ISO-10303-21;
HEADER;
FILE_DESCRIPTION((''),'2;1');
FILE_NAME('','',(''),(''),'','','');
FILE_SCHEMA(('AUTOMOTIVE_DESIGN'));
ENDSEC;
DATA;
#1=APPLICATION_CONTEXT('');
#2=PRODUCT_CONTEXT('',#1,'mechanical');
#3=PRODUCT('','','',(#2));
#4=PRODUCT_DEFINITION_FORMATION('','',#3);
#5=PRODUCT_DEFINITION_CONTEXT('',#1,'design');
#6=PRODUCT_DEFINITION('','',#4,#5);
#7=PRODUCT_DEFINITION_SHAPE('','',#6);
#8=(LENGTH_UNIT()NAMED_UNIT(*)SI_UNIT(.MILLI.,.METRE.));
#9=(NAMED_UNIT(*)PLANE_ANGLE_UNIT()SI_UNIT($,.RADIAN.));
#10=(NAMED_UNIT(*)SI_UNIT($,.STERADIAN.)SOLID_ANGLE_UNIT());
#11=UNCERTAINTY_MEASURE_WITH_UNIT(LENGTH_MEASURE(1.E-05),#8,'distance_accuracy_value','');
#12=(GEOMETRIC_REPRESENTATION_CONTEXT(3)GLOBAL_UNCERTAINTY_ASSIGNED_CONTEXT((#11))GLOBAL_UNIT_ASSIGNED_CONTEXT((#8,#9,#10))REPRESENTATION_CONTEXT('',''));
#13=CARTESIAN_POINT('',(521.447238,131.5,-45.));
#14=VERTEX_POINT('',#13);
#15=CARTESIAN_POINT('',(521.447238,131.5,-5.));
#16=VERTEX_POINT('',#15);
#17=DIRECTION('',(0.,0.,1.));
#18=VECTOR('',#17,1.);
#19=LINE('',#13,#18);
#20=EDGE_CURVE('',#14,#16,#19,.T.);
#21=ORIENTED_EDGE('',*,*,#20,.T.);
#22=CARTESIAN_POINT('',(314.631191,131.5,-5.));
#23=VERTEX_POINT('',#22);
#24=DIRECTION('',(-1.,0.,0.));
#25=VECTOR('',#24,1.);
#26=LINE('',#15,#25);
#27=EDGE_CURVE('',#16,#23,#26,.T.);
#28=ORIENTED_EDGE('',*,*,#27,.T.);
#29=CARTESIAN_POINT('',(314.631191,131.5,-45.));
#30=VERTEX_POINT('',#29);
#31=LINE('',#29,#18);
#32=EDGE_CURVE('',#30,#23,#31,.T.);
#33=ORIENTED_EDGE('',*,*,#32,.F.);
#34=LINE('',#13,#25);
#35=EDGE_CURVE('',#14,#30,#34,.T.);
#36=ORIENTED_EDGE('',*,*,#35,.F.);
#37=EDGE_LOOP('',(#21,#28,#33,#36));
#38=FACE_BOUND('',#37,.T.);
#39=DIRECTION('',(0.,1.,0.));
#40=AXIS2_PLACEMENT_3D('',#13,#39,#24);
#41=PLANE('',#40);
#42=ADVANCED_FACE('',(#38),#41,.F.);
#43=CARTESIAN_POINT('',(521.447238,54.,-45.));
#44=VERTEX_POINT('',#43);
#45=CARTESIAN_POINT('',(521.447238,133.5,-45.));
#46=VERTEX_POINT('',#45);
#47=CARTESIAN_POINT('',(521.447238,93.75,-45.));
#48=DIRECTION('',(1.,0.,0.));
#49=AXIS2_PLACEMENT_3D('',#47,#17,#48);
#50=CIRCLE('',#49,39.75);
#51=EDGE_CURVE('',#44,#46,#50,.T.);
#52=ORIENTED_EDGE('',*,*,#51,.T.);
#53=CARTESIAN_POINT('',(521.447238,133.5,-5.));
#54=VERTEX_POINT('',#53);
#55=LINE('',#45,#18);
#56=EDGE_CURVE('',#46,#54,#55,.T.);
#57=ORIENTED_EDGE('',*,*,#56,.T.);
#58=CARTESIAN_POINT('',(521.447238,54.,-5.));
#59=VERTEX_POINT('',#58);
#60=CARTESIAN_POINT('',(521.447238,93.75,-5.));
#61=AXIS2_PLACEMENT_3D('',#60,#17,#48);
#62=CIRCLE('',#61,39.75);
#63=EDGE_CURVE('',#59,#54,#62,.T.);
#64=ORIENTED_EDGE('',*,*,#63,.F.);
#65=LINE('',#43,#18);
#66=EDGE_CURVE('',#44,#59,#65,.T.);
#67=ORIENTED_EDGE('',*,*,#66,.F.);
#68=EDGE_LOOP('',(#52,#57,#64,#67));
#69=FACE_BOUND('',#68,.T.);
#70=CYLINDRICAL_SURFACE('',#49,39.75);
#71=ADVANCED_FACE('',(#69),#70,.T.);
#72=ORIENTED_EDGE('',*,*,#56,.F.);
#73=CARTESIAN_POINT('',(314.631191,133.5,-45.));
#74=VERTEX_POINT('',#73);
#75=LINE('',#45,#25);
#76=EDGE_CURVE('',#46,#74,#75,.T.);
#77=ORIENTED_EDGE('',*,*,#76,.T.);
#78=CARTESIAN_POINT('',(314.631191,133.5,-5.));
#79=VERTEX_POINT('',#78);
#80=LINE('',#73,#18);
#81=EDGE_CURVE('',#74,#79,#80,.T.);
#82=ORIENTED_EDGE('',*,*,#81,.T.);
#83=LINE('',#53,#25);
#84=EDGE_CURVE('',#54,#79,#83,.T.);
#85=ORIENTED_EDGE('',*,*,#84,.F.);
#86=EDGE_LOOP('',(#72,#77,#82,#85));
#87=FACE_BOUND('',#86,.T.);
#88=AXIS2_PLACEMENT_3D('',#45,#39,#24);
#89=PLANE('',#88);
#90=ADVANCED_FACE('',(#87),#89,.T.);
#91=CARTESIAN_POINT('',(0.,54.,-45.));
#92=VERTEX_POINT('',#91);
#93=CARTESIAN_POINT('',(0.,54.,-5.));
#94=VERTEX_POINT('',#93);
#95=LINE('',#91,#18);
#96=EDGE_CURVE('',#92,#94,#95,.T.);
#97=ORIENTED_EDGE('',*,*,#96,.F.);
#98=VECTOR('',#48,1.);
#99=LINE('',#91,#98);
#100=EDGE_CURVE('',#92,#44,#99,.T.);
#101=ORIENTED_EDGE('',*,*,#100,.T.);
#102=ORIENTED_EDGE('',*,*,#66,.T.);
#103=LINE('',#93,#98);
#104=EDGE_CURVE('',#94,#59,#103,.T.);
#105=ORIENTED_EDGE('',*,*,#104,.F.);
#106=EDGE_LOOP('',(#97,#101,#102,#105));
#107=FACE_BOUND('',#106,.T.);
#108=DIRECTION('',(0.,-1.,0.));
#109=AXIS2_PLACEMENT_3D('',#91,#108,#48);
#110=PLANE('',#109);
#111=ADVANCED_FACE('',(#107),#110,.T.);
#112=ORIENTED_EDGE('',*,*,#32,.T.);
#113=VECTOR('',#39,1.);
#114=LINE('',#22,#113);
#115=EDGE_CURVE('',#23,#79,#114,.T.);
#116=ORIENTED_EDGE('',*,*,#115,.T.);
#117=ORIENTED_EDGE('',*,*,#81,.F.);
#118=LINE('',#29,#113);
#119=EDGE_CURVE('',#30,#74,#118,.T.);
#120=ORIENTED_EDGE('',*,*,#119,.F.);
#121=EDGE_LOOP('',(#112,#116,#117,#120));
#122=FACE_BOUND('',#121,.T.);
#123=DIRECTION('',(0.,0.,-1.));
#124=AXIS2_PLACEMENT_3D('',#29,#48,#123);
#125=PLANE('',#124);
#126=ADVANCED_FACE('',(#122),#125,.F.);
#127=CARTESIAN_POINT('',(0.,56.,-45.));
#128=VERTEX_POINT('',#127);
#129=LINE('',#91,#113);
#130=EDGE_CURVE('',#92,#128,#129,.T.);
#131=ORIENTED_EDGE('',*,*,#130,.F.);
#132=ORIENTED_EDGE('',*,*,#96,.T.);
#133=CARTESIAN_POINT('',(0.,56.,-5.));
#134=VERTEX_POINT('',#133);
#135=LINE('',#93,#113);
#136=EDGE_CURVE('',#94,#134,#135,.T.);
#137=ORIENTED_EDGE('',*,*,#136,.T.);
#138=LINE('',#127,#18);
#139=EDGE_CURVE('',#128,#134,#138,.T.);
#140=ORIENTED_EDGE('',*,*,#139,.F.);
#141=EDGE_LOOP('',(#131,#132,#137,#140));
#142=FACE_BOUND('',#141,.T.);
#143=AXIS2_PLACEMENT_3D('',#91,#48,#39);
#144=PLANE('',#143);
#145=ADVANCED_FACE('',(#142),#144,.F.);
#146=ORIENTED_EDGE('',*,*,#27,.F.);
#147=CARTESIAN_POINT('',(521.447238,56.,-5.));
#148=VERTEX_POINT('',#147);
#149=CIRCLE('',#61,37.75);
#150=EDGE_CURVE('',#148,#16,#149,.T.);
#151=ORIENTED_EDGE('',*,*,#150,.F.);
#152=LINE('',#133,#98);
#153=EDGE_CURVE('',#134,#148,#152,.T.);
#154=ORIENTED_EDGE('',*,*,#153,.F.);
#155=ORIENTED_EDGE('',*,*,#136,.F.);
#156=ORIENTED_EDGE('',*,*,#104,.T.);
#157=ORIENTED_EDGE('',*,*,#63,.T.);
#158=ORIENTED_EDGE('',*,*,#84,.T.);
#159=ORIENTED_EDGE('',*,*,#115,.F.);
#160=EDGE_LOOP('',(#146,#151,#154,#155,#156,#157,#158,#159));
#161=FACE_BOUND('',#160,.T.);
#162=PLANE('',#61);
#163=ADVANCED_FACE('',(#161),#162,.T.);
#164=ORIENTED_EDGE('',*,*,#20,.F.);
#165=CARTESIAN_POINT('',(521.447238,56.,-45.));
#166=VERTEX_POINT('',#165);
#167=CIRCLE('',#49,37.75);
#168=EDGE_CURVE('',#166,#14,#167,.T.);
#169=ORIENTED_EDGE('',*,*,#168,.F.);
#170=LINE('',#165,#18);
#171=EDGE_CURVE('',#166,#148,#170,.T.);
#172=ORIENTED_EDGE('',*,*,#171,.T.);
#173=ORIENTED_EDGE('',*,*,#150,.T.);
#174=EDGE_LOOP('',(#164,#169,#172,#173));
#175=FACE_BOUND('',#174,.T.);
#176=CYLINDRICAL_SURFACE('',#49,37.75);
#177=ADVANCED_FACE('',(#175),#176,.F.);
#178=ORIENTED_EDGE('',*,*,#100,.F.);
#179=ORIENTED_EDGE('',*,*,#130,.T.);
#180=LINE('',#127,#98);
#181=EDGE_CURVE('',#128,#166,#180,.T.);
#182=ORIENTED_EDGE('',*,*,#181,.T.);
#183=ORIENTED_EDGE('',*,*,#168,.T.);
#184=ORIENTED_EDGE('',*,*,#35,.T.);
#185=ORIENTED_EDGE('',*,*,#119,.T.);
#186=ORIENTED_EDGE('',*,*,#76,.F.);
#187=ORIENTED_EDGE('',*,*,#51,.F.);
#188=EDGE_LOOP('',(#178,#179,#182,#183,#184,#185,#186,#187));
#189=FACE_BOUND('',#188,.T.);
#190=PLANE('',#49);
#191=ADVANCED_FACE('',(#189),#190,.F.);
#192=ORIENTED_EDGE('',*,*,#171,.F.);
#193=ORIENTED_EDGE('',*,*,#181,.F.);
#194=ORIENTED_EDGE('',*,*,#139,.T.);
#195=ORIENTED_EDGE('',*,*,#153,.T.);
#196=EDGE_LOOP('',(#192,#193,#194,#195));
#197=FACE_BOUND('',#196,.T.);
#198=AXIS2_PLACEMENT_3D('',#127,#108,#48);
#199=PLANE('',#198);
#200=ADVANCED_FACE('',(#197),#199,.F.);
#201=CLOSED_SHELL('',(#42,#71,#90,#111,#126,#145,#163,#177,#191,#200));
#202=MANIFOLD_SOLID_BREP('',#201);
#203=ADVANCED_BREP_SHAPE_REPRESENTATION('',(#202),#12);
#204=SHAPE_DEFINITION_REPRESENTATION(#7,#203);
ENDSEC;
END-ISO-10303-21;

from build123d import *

# Parameters (mm, degrees)
EXTRUDE_THIN1_START = -5
EXTRUDE_THIN1_DEPTH = 40


with BuildPart() as part:
    # Sketch1 → Extrude-Thin1 (new body)
    with BuildSketch(Plane.XY.offset(EXTRUDE_THIN1_START)):
        with BuildLine():
            Line((0, 54), (521.447237603, 54))
            ThreePointArc((521.447237603, 54), (561.197237603, 93.75), (521.447237603, 133.5))
            Line((521.447237603, 133.5), (314.631190532, 133.5))
            Line((314.631190532, 133.5), (314.631190532, 131.5))
            Line((314.631190532, 131.5), (521.447237603, 131.5))
            ThreePointArc((521.447237603, 131.5), (559.197237603, 93.75), (521.447237603, 56))
            Line((521.447237603, 56), (0, 56))
            Line((0, 56), (0, 54))
        make_face()
    extrude(amount=-EXTRUDE_THIN1_DEPTH)


solid = part.part
